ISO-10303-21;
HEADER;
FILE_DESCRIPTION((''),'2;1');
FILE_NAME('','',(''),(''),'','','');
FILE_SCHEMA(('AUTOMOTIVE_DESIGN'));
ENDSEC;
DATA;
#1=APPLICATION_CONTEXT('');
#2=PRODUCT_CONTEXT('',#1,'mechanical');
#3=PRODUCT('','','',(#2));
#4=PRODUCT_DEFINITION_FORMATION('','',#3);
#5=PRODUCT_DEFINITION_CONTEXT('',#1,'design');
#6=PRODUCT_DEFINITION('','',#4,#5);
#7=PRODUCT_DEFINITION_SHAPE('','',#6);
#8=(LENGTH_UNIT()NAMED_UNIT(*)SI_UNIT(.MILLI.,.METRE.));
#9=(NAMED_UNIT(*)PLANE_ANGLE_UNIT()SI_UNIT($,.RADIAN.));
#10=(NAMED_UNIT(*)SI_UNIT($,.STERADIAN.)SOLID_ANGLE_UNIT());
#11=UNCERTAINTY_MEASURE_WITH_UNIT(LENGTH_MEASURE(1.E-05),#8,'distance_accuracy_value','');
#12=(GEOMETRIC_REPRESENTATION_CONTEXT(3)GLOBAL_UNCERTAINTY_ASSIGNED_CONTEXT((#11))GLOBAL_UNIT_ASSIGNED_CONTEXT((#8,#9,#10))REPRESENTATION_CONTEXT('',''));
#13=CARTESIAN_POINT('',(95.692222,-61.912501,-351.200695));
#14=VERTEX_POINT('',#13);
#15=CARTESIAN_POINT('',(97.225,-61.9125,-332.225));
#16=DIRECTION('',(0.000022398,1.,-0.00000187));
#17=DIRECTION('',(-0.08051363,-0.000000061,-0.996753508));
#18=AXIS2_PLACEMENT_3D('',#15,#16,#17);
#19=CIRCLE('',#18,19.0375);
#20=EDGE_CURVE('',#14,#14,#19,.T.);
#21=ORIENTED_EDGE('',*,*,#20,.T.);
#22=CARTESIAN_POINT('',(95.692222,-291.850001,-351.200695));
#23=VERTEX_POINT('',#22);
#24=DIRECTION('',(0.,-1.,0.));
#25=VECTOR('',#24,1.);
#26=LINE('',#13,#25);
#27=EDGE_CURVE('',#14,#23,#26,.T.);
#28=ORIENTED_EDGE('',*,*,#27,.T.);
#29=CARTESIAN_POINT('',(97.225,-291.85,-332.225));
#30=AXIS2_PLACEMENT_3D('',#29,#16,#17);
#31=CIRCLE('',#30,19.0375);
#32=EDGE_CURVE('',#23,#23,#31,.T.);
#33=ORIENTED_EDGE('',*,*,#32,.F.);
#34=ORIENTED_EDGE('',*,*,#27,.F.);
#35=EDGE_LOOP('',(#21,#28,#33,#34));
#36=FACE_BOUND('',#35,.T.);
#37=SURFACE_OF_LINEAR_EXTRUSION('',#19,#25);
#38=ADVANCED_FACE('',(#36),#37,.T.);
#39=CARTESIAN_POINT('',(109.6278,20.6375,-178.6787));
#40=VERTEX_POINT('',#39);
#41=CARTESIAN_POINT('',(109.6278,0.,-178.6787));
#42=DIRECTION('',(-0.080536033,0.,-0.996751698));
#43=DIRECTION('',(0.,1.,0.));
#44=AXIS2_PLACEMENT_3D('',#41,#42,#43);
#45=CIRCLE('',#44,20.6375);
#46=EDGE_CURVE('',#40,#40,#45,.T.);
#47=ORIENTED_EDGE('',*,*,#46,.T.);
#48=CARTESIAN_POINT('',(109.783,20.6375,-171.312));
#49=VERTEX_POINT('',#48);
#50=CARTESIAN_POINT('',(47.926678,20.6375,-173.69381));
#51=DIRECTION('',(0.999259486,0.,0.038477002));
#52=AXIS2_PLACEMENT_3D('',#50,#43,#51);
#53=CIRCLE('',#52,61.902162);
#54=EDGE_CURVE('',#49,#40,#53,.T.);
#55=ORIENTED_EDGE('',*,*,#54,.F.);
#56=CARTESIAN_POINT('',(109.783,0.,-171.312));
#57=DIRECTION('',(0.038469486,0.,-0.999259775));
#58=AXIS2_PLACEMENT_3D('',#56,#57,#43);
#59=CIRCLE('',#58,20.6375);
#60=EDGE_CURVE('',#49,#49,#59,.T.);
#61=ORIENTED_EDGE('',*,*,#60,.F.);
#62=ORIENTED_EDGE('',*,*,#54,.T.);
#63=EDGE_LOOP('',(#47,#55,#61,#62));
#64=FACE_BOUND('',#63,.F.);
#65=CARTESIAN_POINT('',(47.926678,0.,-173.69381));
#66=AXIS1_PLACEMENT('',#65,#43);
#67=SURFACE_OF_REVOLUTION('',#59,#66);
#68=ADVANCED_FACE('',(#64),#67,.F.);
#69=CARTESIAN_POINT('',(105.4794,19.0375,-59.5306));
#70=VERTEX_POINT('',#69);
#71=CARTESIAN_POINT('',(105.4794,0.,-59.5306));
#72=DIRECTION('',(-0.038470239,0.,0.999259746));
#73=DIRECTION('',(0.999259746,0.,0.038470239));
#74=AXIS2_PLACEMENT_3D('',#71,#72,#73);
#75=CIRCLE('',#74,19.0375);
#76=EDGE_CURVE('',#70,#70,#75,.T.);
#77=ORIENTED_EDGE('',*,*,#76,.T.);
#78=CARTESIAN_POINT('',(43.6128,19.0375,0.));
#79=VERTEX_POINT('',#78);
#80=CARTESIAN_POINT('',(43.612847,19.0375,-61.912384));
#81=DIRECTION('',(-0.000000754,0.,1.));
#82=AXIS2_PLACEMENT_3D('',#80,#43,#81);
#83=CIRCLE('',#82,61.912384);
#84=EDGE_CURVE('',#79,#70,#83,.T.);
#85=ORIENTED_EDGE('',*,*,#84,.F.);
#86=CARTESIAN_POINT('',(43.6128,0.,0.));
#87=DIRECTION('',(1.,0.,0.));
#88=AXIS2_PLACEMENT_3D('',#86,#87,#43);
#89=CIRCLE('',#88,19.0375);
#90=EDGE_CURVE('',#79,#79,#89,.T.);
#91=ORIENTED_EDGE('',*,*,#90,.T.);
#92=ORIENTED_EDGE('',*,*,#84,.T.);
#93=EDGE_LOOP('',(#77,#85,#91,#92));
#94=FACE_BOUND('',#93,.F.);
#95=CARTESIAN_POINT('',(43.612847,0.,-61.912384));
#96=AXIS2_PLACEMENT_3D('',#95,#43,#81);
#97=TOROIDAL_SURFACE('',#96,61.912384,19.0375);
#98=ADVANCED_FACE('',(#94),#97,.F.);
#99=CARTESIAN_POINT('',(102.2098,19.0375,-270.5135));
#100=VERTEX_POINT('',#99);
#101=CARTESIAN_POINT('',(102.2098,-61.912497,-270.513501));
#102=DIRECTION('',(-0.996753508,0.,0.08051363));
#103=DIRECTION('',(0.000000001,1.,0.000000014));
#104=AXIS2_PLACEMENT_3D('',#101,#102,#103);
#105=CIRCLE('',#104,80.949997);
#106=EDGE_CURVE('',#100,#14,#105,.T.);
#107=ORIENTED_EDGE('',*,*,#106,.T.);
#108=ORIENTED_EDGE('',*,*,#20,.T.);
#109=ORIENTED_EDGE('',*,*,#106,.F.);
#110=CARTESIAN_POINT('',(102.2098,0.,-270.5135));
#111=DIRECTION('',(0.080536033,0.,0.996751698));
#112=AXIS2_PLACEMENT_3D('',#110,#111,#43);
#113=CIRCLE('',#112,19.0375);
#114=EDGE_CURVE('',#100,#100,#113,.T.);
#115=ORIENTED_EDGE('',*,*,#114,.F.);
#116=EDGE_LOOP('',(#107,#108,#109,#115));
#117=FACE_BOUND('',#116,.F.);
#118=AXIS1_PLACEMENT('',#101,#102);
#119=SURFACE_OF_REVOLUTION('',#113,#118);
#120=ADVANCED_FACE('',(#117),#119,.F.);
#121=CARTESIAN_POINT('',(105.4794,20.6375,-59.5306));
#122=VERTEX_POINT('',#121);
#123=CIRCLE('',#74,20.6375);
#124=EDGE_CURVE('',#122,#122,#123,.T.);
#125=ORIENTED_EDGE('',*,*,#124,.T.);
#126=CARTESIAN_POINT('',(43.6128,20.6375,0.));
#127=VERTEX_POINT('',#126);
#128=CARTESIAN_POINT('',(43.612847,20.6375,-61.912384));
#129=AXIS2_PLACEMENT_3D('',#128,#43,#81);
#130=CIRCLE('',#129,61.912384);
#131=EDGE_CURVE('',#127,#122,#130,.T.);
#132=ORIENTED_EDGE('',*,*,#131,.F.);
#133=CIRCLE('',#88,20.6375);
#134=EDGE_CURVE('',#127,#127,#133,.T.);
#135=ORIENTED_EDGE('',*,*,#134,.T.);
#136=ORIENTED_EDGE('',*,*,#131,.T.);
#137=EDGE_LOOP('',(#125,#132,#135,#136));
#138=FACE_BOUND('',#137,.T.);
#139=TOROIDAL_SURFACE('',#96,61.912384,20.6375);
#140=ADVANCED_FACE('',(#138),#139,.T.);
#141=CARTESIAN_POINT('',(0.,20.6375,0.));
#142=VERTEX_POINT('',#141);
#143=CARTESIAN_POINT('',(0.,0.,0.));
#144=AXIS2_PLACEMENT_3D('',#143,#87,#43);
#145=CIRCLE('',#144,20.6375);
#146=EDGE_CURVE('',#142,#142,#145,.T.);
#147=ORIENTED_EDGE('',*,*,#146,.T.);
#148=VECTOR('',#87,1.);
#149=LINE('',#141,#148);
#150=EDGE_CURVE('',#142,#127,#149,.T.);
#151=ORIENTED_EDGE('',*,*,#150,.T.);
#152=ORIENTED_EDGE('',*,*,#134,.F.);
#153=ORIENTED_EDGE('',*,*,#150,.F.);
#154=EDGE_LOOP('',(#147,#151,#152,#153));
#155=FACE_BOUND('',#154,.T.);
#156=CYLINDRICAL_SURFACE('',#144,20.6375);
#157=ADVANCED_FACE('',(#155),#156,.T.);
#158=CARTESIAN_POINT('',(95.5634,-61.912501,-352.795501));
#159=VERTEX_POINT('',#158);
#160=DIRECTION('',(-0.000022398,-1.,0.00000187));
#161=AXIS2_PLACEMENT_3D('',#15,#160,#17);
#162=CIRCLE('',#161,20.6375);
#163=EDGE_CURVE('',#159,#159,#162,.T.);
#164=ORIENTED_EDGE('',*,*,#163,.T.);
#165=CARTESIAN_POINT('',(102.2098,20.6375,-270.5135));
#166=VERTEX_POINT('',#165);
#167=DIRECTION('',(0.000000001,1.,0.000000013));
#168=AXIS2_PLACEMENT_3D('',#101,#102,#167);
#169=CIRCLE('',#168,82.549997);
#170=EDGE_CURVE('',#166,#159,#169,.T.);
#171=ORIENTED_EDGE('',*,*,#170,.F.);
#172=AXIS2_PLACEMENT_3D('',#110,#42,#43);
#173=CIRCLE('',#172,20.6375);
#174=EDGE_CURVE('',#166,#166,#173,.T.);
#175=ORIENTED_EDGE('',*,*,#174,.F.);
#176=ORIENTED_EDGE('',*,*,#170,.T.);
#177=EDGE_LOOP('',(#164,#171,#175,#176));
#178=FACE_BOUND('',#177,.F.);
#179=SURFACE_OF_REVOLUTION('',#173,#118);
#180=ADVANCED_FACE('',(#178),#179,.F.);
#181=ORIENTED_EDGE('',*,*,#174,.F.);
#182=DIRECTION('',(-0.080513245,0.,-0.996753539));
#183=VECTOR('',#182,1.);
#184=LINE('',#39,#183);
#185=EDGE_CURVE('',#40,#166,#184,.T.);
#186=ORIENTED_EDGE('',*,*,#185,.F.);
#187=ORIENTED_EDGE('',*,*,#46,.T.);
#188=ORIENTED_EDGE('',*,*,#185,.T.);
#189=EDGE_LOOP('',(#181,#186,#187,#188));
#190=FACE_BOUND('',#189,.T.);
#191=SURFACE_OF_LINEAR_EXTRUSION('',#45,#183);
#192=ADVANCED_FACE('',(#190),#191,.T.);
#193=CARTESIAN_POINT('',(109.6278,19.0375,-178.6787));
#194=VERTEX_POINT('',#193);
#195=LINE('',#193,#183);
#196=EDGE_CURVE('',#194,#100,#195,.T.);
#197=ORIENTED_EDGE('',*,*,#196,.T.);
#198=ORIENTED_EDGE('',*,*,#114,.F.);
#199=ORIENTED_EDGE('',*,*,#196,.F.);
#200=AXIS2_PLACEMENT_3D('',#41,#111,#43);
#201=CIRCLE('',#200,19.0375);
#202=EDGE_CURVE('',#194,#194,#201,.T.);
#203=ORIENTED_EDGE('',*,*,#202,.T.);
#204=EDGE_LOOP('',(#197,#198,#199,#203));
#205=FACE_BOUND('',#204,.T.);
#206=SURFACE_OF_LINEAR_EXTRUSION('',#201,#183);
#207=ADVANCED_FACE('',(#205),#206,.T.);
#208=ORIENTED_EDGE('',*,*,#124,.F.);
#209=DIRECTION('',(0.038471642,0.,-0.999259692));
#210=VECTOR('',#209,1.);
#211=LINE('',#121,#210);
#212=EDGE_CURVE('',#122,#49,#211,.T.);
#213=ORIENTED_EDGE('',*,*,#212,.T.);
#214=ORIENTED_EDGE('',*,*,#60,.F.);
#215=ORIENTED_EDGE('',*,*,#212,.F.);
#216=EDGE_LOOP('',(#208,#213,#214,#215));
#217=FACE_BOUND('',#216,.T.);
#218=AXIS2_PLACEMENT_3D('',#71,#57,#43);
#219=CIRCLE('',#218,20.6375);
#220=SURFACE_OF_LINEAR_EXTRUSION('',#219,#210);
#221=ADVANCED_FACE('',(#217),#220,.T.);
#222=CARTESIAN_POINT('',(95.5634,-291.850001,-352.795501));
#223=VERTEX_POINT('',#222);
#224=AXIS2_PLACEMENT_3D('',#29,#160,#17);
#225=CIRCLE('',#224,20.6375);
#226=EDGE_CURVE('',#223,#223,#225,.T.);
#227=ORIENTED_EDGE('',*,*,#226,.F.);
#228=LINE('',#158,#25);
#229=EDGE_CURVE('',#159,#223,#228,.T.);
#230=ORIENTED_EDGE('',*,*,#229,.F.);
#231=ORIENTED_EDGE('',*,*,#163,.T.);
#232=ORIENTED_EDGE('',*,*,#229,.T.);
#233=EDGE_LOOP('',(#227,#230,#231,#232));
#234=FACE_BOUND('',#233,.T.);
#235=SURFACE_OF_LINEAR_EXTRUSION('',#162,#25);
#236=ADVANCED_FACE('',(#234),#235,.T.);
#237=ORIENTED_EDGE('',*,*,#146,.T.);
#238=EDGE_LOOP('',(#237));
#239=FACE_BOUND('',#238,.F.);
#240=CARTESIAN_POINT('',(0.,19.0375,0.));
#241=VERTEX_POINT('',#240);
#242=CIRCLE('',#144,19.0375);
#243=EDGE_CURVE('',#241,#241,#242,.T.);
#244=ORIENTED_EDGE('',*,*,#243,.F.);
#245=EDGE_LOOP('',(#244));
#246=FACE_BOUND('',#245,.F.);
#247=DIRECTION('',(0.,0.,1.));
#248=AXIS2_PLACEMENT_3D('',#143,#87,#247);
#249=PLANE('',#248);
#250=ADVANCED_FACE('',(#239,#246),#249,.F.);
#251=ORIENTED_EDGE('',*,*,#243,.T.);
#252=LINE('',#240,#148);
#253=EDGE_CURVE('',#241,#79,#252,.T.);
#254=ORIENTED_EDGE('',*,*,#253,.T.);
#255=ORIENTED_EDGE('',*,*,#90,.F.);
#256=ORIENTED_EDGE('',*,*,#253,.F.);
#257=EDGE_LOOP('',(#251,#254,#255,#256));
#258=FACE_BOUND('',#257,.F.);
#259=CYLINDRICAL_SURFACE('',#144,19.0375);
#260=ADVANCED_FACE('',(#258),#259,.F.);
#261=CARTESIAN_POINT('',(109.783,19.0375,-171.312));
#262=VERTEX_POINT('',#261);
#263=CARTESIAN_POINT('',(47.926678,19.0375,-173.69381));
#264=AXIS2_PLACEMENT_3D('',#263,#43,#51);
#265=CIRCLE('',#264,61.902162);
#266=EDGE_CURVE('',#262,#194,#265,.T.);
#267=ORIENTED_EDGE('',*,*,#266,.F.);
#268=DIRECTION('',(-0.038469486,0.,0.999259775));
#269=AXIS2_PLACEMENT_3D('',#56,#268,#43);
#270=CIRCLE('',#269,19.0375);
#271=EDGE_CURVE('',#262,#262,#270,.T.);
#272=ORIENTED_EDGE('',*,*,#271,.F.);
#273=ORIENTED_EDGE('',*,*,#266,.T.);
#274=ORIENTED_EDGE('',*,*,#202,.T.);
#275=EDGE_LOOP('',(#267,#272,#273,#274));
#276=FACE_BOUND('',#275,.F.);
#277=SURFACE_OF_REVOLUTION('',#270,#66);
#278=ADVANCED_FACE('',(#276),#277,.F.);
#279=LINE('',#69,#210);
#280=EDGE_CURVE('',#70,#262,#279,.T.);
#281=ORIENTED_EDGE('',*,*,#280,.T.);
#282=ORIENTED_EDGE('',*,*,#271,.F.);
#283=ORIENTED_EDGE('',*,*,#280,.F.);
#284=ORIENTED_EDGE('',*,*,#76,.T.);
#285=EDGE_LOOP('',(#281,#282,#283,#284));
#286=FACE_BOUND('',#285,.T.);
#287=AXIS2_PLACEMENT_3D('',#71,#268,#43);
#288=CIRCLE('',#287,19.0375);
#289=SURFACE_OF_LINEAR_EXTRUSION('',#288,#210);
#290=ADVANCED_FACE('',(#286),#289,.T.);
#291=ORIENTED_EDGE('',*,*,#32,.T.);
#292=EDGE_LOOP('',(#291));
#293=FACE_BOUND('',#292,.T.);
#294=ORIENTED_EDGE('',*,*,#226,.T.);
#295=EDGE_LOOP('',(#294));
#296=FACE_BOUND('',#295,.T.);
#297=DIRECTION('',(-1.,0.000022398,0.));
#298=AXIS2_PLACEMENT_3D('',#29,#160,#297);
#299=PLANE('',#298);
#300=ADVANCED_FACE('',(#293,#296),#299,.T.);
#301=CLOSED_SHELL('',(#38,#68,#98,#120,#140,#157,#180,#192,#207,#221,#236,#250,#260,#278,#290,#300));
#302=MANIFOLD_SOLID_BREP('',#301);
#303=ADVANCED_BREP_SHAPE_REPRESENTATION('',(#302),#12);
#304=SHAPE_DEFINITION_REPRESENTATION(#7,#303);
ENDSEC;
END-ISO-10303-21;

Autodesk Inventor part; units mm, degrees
sketch "Sketch1" plane through (0, 0, 0) normal (1, 0, 0) x (0, 1, 0)
  line L0 (0, 0) -> (0, -175)
  line L1 (0, -175) -> (0, -332.225)
  line L2 (0, -332.225) -> (-291.85, -332.225)
  line L3 (0, 0) -> (0, -103.1875) construction
  line L4 (0, -103.1875) -> (0, -109.925) construction
  line L5 (0, -109.925) -> (0, -97.225) construction
  line L6 (0, -97.225) -> (-291.85, -97.225) construction
  dimension "d0" = 332.225
  dimension "d1" = 0
  dimension "d4" = 175
  dimension "d5" = 291.85
  dimension "d6" = 103.1875
  dimension "d7" = 97.225
  dimension "d8" = 109.925
ref_plane "Work Plane1" through (103.1875, 0, 0) normal (1, 0, 0) x (0, 1, 0)
ref_plane "Work Plane2" through (109.925, 0, 0) normal (1, 0, 0) x (0, 1, 0)
ref_plane "Work Plane3" through (97.225, 0, 0) normal (1, 0, 0) x (0, 1, 0)
sketch "Sketch2" plane through (103.1875, 0, 0) normal (1, 0, 0) x (0, 1, 0)
  point P0 (0, 0)
  point P1 (0, 0)
sketch "Sketch3" plane through (109.925, 0, 0) normal (1, 0, 0) x (0, 1, 0)
  point P0 (0, 0)
  point P1 (0, -175)
  point P2 (0, -332.225)
sketch "Sketch4" plane through (97.225, 0, 0) normal (1, 0, 0) x (0, 1, 0)
  point P0 (0, 0)
  point P1 (-291.85, -332.225)
  point P2 (0, -332.225)
sketch "Sketch5" plane through (0, 0, 0) normal (1, 0, 0) x (0, 1, 0)
  circle A0 centre (0, 0) radius 20.6375
  circle A1 centre (0, 0) radius 19.0375
  dimension "d15" = 1.6
  dimension "d17" = 41.275
sketch3d "3D Sketch1"
  line L0 (0, 0, 0) -> (43.6128, 0, 0)
  arc A0 (43.6128, 0, 0) -> (105.4794, 0, -59.5306) centre (43.6128, 0, -61.9125) ccw
  line L1 (105.4794, 0, -59.5306) -> (109.783, 0, -171.312)
  arc A1 (109.783, 0, -171.312) -> (109.6278, 0, -178.6787) centre (47.9163, 0, -173.6939) ccw
  line L2 (109.6278, 0, -178.6787) -> (102.2098, 0, -270.5135)
  arc A2 (102.2098, 0, -270.5135) -> (97.225, -61.9125, -332.225) centre (102.2098, -61.9125, -270.5135) ccw
  line L3 (97.225, -61.9125, -332.225) -> (97.225, -291.85, -332.225)
  dimension "d14" = 61.9125
  dimension "d12" = 61.9125
  dimension "d13" = 61.9125
sweep "Sweep1" add profiles "Sketch5" path "3D Sketch1"
equation "\"d14\" = d12"
equation "\"d13\" = d12"
equation "\"d9\" = d6"
equation "\"d10\" = d8"
equation "\"d11\" = d7"
properties part number "exhaust header right pipe 4" material "Steel"
